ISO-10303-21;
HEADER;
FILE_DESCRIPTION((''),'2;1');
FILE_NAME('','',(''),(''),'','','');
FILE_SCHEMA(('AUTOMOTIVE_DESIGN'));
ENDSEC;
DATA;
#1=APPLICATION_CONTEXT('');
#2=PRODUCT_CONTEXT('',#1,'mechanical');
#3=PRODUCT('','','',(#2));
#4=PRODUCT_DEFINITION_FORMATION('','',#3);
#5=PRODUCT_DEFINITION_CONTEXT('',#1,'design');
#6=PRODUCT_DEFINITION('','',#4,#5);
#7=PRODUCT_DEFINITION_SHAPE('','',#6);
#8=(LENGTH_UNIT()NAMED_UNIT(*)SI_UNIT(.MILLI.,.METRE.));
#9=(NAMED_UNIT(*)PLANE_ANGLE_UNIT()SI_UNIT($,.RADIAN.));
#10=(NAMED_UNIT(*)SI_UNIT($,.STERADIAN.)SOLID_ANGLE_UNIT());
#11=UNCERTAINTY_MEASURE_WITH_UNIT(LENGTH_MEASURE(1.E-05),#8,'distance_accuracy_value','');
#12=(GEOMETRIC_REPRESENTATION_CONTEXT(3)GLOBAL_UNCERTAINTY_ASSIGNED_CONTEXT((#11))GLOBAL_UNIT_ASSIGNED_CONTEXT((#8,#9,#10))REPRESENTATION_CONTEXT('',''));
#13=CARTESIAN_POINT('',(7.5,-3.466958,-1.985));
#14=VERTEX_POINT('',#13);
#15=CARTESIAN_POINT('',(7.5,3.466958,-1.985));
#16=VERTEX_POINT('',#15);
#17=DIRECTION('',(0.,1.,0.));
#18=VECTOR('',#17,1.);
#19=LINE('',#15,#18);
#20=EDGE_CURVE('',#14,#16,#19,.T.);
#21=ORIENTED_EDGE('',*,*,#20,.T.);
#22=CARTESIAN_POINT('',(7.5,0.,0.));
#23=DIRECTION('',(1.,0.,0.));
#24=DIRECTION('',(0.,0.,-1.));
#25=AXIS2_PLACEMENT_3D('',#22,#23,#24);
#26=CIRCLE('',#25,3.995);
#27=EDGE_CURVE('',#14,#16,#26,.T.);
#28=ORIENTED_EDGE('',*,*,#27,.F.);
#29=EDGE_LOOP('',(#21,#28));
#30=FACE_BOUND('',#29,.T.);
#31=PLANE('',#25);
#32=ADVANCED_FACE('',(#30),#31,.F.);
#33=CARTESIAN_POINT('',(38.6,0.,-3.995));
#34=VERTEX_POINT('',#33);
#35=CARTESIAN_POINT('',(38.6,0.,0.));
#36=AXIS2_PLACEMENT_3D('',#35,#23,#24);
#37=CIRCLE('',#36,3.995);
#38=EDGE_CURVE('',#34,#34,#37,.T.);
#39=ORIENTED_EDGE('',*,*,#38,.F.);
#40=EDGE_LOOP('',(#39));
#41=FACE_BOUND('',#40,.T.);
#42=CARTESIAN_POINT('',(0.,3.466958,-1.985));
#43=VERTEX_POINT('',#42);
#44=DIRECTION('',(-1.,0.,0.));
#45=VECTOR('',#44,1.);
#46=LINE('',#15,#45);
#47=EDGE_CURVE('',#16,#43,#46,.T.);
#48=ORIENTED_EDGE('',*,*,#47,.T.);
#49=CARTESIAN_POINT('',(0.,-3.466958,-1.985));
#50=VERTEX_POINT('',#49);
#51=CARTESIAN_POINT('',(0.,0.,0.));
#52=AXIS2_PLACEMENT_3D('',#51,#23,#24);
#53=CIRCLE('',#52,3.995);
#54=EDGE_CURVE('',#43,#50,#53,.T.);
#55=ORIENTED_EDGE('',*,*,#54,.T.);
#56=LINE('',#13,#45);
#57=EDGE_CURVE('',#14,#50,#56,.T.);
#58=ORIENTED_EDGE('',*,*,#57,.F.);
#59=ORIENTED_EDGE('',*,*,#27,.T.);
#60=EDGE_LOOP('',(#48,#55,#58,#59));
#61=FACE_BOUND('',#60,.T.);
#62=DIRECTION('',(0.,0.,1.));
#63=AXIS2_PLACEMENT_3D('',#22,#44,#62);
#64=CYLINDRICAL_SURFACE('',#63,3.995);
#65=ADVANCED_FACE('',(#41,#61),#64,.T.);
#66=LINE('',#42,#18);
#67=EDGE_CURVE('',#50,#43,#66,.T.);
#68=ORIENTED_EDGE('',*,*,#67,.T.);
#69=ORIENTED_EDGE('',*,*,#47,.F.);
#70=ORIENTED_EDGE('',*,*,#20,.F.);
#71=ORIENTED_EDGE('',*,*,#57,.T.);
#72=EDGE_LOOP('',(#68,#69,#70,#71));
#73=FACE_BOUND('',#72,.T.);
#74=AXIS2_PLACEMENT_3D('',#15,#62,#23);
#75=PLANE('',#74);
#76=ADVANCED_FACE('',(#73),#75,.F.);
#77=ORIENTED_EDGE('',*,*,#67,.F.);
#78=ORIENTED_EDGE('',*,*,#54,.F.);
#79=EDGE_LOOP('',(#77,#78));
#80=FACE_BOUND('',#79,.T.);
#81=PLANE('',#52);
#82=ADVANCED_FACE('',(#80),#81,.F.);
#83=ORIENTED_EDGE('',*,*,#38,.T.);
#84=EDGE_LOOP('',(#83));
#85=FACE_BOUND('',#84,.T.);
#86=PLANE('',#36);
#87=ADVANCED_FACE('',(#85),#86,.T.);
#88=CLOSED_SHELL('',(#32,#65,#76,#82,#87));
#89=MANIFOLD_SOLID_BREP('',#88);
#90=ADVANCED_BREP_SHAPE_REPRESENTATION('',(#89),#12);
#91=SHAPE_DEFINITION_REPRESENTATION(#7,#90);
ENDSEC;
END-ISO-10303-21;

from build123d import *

# Parameters (mm, degrees)
BOSS_EXTRUDE1_DEPTH = 7.5
SKETCH2_R           = 3.995
BOSS_EXTRUDE2_DEPTH = 31.1


with BuildPart() as part:
    # Sketch1 → Boss-Extrude1 (new body)
    with BuildSketch(Plane(origin=(0, 0, 0), x_dir=(0, 0, -1), z_dir=(1, 0, 0))):
        with BuildLine():
            Line((1.985, 3.466958321), (1.985, -3.466958321))
            ThreePointArc((1.985, -3.466958321), (-3.995, 0), (1.985, 3.466958321))
        make_face()
    extrude(amount=BOSS_EXTRUDE1_DEPTH)

    # Sketch2 → Boss-Extrude2 (add)
    with BuildSketch(Plane(origin=(7.5, 0, 0), x_dir=(0, 0, -1), z_dir=(1, 0, 0))):
        with Locations(Location((0, 0, 0), (0, 0, 299.79320791))):
            Circle(SKETCH2_R)
    extrude(amount=BOSS_EXTRUDE2_DEPTH)


solid = part.part
